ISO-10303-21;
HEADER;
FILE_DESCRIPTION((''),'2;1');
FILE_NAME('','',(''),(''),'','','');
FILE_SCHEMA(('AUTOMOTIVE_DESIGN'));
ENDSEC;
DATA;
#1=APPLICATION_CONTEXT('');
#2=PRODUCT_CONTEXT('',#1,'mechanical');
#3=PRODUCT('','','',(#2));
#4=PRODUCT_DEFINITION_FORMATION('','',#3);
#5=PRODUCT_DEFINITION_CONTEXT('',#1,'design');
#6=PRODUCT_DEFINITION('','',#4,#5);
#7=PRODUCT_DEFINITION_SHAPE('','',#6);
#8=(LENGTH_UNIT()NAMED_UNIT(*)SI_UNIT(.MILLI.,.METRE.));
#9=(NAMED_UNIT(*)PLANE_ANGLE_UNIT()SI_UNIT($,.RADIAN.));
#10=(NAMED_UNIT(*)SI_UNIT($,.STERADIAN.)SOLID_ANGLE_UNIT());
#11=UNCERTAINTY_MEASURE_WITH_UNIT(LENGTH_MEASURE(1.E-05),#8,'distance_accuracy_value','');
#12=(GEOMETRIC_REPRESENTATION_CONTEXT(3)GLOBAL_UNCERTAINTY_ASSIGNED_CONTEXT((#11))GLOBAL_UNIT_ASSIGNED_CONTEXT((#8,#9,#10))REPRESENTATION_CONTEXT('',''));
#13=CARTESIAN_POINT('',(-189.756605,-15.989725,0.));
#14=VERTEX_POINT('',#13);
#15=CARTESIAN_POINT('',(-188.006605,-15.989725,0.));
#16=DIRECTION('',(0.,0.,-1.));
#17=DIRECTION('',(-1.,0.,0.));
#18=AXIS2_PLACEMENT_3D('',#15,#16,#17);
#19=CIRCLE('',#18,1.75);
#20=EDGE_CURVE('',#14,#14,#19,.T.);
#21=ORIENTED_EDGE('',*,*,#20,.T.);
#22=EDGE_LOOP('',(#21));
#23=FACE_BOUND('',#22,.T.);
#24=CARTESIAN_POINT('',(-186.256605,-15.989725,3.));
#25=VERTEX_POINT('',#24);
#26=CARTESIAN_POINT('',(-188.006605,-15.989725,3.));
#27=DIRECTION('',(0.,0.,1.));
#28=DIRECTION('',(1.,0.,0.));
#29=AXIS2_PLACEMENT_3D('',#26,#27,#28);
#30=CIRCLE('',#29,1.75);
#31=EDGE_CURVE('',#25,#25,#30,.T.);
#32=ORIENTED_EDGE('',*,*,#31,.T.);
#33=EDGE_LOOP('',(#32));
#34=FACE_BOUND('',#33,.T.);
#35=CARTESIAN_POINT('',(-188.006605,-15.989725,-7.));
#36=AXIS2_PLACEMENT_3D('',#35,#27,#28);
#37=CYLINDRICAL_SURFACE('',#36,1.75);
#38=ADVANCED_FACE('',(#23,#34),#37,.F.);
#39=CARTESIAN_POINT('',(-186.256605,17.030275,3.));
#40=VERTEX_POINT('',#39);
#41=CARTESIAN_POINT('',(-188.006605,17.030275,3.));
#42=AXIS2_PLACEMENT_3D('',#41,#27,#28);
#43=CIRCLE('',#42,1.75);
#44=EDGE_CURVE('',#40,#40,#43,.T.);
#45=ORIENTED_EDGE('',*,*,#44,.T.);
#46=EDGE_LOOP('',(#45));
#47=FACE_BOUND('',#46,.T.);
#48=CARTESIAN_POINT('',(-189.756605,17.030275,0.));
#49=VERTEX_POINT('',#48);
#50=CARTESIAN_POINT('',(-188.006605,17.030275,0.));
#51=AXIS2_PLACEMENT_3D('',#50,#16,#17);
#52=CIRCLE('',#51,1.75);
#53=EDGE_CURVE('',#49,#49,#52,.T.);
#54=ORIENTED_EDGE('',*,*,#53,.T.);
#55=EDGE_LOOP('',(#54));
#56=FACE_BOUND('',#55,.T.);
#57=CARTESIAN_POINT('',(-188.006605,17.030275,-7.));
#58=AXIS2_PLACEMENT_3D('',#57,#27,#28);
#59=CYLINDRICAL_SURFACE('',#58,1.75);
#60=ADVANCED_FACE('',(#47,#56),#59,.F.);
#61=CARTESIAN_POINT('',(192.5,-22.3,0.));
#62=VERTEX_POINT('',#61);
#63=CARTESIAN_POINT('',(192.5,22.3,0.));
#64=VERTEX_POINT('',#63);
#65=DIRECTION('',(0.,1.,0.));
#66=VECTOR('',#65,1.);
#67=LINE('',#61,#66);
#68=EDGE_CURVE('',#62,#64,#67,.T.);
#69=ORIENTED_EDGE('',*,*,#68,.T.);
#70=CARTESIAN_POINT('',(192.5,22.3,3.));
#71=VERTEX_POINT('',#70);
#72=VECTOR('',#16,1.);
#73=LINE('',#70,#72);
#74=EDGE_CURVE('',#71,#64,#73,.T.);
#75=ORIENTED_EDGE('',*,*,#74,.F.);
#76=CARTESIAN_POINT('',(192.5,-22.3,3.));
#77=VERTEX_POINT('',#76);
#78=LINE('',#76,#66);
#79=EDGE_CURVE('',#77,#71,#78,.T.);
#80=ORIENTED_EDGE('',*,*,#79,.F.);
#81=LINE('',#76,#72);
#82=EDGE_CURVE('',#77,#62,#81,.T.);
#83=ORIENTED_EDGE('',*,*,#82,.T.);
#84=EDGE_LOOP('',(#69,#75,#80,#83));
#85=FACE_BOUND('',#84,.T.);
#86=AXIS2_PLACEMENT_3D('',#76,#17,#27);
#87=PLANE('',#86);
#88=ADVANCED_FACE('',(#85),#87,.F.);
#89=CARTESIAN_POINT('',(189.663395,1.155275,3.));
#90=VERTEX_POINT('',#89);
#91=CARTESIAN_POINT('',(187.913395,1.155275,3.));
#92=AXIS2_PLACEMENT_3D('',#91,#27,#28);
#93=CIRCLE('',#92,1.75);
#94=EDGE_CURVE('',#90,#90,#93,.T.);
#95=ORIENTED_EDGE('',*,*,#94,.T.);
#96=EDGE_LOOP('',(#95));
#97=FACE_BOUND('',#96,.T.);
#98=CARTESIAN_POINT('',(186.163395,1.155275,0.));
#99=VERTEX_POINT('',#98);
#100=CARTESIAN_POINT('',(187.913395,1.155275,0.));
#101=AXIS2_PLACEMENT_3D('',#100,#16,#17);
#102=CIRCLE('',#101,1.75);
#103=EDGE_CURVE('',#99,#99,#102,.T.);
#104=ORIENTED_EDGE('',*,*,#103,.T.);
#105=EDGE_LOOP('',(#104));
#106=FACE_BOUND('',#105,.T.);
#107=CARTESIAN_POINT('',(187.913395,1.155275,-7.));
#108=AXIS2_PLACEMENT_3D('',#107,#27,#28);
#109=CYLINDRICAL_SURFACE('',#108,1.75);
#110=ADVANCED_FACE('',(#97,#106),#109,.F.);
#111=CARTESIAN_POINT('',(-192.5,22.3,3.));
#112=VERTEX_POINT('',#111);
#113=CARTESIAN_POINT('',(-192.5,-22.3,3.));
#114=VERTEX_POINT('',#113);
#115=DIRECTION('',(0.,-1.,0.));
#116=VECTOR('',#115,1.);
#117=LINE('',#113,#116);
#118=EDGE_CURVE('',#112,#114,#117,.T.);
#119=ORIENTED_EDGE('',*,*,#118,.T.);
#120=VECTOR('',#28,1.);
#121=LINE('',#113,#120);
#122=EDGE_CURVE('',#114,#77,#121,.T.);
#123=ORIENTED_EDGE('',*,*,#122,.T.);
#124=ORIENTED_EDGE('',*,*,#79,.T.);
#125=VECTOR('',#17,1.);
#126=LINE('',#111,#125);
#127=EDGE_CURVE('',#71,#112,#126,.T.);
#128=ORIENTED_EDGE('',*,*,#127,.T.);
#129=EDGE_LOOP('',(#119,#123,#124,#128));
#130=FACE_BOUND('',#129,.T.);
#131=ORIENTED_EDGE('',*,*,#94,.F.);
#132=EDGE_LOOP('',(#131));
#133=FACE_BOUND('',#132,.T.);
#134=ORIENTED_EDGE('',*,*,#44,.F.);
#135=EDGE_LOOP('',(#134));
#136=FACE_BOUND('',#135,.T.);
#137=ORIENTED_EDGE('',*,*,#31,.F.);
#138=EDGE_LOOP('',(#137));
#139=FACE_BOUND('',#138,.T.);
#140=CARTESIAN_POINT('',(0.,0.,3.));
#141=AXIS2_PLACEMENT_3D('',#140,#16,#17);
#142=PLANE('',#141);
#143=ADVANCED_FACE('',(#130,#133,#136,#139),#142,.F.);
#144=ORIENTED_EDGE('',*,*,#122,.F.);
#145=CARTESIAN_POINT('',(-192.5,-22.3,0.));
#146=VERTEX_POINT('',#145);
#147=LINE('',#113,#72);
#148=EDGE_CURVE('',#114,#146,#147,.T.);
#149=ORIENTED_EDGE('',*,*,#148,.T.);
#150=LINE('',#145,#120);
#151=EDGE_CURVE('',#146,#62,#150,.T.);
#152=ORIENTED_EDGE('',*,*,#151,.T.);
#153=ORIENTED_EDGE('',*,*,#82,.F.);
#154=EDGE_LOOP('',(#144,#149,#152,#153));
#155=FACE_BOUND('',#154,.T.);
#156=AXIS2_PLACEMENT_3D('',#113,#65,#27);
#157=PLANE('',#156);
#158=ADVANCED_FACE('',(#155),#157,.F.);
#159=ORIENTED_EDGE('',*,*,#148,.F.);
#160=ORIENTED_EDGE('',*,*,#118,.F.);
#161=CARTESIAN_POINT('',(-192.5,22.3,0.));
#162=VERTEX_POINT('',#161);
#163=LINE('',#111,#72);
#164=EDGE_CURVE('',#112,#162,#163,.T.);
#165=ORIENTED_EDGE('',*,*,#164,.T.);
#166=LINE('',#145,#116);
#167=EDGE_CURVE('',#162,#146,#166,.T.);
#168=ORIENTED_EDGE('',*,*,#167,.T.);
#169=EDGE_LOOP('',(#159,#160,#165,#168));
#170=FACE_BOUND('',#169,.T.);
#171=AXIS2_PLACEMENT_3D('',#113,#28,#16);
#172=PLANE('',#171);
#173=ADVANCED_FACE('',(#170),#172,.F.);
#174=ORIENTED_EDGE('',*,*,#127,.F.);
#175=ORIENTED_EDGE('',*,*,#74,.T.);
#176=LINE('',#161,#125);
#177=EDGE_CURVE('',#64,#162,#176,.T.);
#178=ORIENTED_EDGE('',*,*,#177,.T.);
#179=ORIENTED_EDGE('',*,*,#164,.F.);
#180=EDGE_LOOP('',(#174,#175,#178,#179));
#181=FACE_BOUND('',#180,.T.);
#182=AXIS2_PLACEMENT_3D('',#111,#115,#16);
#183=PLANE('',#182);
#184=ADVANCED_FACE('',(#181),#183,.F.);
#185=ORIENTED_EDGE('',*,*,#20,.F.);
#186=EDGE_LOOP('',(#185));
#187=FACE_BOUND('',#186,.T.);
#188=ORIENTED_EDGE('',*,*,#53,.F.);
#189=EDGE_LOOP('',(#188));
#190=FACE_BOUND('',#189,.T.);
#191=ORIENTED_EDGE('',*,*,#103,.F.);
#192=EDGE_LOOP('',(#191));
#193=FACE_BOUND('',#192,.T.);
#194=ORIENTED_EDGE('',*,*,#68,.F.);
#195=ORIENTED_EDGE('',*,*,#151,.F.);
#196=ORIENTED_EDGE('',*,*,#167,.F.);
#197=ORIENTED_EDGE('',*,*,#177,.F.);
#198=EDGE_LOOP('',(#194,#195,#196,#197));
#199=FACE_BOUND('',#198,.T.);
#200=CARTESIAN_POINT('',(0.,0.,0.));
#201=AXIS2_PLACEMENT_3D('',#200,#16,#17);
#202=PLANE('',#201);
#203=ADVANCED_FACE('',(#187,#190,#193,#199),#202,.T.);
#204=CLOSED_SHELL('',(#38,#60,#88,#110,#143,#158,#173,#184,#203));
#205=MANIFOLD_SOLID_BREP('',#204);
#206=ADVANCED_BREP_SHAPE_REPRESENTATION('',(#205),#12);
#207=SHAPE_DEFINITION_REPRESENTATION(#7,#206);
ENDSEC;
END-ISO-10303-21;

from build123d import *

# Parameters (mm, degrees)
ESQUISSE1_W             = 385
ESQUISSE1_H             = 44.6
BOSS_EXTRU_1_DEPTH      = 3
ESQUISSE3_R             = 1.75
ENL_V_MAT_EXTRU_1_DEPTH = 10


with BuildPart() as part:
    # Esquisse1 → Boss.-Extru.1 (new body)
    with BuildSketch(Plane.XY):
        Rectangle(ESQUISSE1_W, ESQUISSE1_H)
    extrude(amount=BOSS_EXTRU_1_DEPTH)

    # Esquisse3 → Enlèv. mat.-Extru.1 (cut)
    with BuildSketch(Plane.XY.offset(3)):
        with Locations((-188.00660482, 17.030275)):
            Circle(ESQUISSE3_R)
        with Locations((-188.00660482, -15.989725)):
            Circle(ESQUISSE3_R)
        with Locations((187.91339518, 1.155275)):
            Circle(ESQUISSE3_R)
    extrude(amount=-ENL_V_MAT_EXTRU_1_DEPTH, mode=Mode.SUBTRACT)


solid = part.part
